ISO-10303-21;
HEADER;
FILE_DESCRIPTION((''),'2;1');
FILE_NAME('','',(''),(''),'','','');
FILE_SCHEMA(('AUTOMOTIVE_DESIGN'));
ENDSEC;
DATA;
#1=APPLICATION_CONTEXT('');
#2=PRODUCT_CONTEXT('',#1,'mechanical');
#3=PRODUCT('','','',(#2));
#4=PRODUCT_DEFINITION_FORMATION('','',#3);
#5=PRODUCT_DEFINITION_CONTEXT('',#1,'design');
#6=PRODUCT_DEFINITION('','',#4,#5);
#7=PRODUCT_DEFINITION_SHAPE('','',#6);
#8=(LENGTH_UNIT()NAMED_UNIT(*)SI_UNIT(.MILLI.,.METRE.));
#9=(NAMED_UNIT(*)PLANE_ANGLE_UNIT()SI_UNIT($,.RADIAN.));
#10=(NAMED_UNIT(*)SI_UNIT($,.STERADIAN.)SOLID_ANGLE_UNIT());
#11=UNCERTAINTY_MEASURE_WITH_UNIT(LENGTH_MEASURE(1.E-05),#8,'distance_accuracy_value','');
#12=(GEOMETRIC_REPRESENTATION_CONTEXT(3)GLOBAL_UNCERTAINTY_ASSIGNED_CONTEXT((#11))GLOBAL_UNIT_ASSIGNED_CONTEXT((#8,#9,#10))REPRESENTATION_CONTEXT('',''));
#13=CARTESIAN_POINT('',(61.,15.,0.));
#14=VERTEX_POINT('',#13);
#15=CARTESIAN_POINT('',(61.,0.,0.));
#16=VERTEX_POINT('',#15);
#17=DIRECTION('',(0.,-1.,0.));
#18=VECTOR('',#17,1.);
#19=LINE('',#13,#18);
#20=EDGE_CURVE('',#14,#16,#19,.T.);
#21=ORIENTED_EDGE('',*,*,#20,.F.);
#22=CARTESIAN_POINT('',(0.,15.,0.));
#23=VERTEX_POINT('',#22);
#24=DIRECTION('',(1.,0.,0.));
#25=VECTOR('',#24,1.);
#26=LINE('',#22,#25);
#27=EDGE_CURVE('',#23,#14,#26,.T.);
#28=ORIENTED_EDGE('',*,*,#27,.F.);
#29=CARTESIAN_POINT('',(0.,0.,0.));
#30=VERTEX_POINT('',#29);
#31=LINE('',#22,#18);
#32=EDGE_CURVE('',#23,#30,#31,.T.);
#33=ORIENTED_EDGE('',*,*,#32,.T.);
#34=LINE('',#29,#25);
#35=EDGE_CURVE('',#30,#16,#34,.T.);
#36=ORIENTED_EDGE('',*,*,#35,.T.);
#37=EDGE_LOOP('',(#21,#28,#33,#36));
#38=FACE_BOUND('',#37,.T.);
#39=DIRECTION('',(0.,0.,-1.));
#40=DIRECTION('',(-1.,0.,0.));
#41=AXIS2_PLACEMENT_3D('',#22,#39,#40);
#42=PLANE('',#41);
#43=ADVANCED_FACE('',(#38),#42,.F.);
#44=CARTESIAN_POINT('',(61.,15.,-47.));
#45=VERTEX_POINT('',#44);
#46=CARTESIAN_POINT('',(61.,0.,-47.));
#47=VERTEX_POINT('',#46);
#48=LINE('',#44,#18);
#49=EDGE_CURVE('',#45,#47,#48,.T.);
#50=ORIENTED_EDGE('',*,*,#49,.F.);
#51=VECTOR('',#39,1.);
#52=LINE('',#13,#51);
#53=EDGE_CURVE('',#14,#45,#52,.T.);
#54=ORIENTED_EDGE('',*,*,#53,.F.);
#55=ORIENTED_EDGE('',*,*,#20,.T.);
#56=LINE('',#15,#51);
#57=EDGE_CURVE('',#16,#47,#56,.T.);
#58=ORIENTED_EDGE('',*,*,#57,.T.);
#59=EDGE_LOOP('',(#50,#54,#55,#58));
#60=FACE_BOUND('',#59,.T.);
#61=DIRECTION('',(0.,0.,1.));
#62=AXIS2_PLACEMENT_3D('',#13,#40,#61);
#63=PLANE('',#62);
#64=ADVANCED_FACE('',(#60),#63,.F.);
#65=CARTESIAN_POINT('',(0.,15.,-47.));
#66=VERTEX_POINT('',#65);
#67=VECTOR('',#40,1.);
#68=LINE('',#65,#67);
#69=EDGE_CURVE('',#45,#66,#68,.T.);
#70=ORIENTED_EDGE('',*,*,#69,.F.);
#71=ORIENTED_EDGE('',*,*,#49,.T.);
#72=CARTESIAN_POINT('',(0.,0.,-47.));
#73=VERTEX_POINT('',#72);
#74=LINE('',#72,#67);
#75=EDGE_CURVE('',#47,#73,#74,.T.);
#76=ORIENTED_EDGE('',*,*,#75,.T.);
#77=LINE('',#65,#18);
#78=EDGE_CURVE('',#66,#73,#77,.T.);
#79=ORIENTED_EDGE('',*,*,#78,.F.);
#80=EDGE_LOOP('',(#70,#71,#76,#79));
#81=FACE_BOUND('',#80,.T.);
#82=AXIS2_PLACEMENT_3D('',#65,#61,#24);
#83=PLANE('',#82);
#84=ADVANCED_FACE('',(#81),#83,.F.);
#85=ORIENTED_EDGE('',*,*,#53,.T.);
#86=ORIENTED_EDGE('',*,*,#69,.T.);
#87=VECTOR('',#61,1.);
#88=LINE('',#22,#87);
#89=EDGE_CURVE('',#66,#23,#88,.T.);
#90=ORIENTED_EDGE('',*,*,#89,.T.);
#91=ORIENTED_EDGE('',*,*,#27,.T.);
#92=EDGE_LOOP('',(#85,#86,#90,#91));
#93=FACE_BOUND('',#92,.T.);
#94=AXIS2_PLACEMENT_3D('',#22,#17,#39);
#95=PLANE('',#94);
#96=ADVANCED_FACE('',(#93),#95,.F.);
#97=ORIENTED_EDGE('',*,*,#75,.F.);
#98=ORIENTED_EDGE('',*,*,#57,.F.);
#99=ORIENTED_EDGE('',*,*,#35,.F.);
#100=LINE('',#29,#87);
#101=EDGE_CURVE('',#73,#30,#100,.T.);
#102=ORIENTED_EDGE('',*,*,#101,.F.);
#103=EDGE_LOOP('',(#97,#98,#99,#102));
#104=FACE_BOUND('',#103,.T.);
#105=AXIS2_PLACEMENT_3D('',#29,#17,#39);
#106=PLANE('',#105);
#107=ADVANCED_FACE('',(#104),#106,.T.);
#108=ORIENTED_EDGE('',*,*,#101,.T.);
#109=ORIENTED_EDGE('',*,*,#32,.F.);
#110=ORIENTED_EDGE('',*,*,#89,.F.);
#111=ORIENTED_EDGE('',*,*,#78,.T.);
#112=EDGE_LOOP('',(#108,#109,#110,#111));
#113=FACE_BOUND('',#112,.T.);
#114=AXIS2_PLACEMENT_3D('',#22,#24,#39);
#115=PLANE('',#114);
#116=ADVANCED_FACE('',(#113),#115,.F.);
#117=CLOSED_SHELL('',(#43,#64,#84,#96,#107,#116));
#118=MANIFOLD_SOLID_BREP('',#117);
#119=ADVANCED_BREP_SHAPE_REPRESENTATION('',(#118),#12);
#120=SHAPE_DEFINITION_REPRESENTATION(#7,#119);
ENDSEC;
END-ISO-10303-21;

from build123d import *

# Parameters (mm, degrees)
SKETCH_1_W      = 61
SKETCH_1_H      = 47
EXTRUDE_1_DEPTH = 15


with BuildPart() as part:
    # 草图1 → 凸台-拉伸1 (new body)
    with BuildSketch(Plane(origin=(0, 0, 0), x_dir=(1, 0, 0), z_dir=(0, 1, 0))):
        with Locations((30.5, 23.5)):
            Rectangle(SKETCH_1_W, SKETCH_1_H)
    extrude(amount=EXTRUDE_1_DEPTH)


solid = part.part
